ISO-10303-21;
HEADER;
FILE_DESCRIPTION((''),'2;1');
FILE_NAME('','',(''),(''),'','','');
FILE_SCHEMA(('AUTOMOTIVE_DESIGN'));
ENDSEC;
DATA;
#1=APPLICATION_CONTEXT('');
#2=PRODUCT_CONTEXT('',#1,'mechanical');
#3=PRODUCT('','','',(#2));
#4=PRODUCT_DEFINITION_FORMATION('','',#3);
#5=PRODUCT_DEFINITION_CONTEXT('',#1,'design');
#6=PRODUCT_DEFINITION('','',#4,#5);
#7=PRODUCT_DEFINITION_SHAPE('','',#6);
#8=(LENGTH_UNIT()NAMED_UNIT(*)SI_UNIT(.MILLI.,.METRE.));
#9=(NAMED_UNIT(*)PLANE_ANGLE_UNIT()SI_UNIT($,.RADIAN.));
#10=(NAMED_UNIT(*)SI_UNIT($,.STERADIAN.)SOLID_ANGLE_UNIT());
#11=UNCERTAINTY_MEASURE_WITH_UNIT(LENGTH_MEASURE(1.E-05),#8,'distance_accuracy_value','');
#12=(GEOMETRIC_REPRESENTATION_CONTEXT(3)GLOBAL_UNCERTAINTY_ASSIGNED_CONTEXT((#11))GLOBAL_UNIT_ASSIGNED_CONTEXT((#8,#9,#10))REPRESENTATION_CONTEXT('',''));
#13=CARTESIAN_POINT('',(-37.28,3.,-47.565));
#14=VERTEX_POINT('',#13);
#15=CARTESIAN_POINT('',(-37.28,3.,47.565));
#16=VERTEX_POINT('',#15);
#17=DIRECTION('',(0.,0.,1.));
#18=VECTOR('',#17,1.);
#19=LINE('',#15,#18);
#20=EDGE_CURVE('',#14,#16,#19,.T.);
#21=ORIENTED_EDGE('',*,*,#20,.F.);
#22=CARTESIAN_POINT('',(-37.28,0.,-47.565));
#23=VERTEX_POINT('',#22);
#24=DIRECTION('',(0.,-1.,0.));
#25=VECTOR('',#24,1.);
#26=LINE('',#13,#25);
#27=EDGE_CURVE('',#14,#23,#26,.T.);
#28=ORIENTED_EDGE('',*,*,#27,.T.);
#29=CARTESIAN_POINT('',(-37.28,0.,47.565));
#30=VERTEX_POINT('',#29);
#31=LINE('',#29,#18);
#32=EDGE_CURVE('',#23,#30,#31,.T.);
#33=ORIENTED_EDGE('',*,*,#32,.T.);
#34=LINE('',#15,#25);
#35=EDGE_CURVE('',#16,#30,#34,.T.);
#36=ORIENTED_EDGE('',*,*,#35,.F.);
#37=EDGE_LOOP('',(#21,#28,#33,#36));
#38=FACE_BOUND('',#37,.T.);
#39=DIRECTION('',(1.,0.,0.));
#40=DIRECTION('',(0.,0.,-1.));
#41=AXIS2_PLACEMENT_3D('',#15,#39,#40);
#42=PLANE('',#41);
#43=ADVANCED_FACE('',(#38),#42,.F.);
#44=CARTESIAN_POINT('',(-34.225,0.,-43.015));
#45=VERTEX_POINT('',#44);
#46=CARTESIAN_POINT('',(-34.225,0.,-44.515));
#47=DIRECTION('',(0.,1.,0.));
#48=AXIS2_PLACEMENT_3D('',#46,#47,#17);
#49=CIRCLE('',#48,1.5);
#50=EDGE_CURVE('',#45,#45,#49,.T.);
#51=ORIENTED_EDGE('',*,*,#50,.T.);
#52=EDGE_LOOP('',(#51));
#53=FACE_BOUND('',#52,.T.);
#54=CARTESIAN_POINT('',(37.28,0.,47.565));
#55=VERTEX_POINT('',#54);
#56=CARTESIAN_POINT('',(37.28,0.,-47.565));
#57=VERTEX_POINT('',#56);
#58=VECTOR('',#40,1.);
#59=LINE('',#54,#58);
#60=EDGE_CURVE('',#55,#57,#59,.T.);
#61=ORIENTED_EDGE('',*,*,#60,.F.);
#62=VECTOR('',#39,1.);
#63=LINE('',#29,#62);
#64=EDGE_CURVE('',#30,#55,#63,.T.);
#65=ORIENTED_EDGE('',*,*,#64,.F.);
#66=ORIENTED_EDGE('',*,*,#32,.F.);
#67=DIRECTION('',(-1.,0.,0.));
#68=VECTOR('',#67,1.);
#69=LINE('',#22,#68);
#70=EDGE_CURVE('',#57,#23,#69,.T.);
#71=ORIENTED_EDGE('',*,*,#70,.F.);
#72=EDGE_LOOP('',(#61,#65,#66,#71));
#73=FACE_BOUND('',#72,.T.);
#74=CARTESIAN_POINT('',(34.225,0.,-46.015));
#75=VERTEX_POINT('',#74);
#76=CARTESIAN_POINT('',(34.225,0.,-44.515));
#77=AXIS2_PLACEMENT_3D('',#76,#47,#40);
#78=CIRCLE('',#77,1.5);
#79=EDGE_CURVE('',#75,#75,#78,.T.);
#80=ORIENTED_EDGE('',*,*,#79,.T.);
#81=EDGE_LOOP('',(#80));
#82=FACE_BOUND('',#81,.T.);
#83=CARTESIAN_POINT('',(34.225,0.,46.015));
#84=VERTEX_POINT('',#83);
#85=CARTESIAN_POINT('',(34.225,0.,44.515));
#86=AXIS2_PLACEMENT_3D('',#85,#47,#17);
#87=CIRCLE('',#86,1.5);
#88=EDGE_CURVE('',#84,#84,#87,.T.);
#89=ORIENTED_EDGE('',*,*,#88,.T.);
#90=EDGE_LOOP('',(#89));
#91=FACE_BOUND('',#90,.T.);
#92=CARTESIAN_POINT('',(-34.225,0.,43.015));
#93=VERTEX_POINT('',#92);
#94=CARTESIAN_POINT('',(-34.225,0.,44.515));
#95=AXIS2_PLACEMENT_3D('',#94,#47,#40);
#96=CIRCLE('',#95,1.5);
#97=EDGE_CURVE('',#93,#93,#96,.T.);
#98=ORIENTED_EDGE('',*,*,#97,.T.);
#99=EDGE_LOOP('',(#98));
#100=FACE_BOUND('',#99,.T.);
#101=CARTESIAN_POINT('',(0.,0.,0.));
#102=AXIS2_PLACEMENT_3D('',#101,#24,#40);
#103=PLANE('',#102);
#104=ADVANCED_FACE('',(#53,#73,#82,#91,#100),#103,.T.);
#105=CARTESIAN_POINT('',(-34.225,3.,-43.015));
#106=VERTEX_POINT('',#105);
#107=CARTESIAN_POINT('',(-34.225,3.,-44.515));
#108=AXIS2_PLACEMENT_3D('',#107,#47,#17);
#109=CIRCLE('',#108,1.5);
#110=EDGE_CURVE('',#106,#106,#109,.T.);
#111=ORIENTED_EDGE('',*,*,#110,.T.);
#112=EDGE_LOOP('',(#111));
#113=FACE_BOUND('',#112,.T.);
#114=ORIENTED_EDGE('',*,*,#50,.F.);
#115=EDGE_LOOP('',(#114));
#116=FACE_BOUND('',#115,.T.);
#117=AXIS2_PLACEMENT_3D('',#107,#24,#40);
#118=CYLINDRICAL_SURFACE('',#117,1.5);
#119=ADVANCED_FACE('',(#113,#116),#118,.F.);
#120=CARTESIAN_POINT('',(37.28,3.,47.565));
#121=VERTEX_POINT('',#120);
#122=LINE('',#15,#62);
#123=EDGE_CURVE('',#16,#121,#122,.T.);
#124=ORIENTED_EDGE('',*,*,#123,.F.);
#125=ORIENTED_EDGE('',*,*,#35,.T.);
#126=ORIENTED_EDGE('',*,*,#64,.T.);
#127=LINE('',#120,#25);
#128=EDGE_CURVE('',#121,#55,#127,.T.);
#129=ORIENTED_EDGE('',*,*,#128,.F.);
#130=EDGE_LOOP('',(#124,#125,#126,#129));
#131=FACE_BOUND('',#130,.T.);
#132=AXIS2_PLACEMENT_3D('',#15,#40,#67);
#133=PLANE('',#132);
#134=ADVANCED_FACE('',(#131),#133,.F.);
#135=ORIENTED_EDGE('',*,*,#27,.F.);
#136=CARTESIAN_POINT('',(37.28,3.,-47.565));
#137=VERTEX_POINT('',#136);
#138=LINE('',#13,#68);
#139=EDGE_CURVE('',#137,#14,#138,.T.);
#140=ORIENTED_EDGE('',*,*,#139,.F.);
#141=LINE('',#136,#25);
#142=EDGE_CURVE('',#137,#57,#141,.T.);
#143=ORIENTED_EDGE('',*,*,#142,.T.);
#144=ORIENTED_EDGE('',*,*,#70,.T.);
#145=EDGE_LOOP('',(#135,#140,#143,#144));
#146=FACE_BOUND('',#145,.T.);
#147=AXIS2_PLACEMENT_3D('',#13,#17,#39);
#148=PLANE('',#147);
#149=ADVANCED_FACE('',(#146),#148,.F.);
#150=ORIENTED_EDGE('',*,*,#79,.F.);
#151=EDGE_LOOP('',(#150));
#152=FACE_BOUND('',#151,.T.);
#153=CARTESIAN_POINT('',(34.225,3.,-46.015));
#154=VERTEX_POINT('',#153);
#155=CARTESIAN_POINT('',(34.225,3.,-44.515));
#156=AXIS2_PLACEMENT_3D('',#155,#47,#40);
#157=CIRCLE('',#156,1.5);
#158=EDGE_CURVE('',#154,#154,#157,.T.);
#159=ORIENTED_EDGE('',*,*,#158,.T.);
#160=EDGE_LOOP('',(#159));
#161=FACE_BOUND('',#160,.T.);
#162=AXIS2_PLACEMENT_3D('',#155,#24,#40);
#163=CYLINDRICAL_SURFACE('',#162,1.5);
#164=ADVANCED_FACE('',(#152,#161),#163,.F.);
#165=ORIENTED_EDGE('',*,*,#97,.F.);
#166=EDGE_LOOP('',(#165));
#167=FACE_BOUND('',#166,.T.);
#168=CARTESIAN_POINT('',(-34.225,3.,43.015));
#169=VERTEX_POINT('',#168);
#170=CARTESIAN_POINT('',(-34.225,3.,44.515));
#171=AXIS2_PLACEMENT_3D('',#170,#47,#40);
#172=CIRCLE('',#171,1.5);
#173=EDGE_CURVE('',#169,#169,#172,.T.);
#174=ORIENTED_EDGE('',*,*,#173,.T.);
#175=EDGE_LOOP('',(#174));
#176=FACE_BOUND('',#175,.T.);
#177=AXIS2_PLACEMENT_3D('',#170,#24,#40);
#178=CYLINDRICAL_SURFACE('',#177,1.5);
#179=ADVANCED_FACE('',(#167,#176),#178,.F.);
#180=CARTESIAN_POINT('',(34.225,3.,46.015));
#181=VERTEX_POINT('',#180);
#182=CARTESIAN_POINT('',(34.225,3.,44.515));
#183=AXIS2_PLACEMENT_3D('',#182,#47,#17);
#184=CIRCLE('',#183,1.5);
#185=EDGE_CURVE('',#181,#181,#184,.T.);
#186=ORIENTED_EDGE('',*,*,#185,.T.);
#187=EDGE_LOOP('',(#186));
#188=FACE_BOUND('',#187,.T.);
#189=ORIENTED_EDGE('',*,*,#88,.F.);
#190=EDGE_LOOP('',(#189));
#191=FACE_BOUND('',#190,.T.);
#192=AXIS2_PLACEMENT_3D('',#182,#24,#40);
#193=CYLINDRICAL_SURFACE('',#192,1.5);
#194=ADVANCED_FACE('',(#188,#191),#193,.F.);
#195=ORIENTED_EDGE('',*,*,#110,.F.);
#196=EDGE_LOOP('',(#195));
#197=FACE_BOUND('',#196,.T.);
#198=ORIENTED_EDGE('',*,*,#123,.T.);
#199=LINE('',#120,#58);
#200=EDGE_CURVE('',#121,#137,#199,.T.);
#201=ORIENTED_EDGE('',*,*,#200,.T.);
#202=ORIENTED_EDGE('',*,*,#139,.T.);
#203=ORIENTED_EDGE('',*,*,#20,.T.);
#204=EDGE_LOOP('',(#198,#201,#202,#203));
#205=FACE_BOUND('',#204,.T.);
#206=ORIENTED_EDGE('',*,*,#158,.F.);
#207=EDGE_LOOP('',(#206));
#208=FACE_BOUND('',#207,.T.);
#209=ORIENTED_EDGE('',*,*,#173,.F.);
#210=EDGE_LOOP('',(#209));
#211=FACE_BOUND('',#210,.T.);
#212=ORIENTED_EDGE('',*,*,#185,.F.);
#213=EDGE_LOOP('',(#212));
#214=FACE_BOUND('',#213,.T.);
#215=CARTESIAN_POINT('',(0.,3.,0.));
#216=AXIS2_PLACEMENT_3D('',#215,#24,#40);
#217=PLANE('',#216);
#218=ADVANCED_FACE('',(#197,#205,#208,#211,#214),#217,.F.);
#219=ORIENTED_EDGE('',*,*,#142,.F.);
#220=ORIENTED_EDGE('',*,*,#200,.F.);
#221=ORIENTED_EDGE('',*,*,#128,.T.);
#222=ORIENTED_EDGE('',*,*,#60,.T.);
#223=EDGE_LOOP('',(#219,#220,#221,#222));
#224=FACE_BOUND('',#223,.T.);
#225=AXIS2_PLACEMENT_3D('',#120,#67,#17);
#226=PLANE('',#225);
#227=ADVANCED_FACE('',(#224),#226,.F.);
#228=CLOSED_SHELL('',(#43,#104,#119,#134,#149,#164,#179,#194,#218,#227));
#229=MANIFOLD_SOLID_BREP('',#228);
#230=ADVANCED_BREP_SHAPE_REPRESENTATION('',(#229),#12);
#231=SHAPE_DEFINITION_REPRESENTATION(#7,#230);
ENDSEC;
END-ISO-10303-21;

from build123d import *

# Parameters (mm, degrees)
SKETCH_1_W      = 74.56
SKETCH_1_H      = 95.13
SKETCH_1_R      = 1.5
EXTRUDE_1_DEPTH = 3


with BuildPart() as part:
    # 草图1 → 凸台-拉伸1 (new body)
    with BuildSketch(Plane(origin=(0, 0, 0), x_dir=(1, 0, 0), z_dir=(0, 1, 0))):
        Rectangle(SKETCH_1_W, SKETCH_1_H)
        with Locations(Location((-34.225, 44.515, 0), (0, 0, 270))):
            Circle(SKETCH_1_R, mode=Mode.SUBTRACT)
        with Locations(Location((34.225, 44.515, 0), (0, 0, 90))):
            Circle(SKETCH_1_R, mode=Mode.SUBTRACT)
        with Locations(Location((34.225, -44.515, 0), (0, 0, 270))):
            Circle(SKETCH_1_R, mode=Mode.SUBTRACT)
        with Locations(Location((-34.225, -44.515, 0), (0, 0, 90))):
            Circle(SKETCH_1_R, mode=Mode.SUBTRACT)
    extrude(amount=EXTRUDE_1_DEPTH)


solid = part.part
